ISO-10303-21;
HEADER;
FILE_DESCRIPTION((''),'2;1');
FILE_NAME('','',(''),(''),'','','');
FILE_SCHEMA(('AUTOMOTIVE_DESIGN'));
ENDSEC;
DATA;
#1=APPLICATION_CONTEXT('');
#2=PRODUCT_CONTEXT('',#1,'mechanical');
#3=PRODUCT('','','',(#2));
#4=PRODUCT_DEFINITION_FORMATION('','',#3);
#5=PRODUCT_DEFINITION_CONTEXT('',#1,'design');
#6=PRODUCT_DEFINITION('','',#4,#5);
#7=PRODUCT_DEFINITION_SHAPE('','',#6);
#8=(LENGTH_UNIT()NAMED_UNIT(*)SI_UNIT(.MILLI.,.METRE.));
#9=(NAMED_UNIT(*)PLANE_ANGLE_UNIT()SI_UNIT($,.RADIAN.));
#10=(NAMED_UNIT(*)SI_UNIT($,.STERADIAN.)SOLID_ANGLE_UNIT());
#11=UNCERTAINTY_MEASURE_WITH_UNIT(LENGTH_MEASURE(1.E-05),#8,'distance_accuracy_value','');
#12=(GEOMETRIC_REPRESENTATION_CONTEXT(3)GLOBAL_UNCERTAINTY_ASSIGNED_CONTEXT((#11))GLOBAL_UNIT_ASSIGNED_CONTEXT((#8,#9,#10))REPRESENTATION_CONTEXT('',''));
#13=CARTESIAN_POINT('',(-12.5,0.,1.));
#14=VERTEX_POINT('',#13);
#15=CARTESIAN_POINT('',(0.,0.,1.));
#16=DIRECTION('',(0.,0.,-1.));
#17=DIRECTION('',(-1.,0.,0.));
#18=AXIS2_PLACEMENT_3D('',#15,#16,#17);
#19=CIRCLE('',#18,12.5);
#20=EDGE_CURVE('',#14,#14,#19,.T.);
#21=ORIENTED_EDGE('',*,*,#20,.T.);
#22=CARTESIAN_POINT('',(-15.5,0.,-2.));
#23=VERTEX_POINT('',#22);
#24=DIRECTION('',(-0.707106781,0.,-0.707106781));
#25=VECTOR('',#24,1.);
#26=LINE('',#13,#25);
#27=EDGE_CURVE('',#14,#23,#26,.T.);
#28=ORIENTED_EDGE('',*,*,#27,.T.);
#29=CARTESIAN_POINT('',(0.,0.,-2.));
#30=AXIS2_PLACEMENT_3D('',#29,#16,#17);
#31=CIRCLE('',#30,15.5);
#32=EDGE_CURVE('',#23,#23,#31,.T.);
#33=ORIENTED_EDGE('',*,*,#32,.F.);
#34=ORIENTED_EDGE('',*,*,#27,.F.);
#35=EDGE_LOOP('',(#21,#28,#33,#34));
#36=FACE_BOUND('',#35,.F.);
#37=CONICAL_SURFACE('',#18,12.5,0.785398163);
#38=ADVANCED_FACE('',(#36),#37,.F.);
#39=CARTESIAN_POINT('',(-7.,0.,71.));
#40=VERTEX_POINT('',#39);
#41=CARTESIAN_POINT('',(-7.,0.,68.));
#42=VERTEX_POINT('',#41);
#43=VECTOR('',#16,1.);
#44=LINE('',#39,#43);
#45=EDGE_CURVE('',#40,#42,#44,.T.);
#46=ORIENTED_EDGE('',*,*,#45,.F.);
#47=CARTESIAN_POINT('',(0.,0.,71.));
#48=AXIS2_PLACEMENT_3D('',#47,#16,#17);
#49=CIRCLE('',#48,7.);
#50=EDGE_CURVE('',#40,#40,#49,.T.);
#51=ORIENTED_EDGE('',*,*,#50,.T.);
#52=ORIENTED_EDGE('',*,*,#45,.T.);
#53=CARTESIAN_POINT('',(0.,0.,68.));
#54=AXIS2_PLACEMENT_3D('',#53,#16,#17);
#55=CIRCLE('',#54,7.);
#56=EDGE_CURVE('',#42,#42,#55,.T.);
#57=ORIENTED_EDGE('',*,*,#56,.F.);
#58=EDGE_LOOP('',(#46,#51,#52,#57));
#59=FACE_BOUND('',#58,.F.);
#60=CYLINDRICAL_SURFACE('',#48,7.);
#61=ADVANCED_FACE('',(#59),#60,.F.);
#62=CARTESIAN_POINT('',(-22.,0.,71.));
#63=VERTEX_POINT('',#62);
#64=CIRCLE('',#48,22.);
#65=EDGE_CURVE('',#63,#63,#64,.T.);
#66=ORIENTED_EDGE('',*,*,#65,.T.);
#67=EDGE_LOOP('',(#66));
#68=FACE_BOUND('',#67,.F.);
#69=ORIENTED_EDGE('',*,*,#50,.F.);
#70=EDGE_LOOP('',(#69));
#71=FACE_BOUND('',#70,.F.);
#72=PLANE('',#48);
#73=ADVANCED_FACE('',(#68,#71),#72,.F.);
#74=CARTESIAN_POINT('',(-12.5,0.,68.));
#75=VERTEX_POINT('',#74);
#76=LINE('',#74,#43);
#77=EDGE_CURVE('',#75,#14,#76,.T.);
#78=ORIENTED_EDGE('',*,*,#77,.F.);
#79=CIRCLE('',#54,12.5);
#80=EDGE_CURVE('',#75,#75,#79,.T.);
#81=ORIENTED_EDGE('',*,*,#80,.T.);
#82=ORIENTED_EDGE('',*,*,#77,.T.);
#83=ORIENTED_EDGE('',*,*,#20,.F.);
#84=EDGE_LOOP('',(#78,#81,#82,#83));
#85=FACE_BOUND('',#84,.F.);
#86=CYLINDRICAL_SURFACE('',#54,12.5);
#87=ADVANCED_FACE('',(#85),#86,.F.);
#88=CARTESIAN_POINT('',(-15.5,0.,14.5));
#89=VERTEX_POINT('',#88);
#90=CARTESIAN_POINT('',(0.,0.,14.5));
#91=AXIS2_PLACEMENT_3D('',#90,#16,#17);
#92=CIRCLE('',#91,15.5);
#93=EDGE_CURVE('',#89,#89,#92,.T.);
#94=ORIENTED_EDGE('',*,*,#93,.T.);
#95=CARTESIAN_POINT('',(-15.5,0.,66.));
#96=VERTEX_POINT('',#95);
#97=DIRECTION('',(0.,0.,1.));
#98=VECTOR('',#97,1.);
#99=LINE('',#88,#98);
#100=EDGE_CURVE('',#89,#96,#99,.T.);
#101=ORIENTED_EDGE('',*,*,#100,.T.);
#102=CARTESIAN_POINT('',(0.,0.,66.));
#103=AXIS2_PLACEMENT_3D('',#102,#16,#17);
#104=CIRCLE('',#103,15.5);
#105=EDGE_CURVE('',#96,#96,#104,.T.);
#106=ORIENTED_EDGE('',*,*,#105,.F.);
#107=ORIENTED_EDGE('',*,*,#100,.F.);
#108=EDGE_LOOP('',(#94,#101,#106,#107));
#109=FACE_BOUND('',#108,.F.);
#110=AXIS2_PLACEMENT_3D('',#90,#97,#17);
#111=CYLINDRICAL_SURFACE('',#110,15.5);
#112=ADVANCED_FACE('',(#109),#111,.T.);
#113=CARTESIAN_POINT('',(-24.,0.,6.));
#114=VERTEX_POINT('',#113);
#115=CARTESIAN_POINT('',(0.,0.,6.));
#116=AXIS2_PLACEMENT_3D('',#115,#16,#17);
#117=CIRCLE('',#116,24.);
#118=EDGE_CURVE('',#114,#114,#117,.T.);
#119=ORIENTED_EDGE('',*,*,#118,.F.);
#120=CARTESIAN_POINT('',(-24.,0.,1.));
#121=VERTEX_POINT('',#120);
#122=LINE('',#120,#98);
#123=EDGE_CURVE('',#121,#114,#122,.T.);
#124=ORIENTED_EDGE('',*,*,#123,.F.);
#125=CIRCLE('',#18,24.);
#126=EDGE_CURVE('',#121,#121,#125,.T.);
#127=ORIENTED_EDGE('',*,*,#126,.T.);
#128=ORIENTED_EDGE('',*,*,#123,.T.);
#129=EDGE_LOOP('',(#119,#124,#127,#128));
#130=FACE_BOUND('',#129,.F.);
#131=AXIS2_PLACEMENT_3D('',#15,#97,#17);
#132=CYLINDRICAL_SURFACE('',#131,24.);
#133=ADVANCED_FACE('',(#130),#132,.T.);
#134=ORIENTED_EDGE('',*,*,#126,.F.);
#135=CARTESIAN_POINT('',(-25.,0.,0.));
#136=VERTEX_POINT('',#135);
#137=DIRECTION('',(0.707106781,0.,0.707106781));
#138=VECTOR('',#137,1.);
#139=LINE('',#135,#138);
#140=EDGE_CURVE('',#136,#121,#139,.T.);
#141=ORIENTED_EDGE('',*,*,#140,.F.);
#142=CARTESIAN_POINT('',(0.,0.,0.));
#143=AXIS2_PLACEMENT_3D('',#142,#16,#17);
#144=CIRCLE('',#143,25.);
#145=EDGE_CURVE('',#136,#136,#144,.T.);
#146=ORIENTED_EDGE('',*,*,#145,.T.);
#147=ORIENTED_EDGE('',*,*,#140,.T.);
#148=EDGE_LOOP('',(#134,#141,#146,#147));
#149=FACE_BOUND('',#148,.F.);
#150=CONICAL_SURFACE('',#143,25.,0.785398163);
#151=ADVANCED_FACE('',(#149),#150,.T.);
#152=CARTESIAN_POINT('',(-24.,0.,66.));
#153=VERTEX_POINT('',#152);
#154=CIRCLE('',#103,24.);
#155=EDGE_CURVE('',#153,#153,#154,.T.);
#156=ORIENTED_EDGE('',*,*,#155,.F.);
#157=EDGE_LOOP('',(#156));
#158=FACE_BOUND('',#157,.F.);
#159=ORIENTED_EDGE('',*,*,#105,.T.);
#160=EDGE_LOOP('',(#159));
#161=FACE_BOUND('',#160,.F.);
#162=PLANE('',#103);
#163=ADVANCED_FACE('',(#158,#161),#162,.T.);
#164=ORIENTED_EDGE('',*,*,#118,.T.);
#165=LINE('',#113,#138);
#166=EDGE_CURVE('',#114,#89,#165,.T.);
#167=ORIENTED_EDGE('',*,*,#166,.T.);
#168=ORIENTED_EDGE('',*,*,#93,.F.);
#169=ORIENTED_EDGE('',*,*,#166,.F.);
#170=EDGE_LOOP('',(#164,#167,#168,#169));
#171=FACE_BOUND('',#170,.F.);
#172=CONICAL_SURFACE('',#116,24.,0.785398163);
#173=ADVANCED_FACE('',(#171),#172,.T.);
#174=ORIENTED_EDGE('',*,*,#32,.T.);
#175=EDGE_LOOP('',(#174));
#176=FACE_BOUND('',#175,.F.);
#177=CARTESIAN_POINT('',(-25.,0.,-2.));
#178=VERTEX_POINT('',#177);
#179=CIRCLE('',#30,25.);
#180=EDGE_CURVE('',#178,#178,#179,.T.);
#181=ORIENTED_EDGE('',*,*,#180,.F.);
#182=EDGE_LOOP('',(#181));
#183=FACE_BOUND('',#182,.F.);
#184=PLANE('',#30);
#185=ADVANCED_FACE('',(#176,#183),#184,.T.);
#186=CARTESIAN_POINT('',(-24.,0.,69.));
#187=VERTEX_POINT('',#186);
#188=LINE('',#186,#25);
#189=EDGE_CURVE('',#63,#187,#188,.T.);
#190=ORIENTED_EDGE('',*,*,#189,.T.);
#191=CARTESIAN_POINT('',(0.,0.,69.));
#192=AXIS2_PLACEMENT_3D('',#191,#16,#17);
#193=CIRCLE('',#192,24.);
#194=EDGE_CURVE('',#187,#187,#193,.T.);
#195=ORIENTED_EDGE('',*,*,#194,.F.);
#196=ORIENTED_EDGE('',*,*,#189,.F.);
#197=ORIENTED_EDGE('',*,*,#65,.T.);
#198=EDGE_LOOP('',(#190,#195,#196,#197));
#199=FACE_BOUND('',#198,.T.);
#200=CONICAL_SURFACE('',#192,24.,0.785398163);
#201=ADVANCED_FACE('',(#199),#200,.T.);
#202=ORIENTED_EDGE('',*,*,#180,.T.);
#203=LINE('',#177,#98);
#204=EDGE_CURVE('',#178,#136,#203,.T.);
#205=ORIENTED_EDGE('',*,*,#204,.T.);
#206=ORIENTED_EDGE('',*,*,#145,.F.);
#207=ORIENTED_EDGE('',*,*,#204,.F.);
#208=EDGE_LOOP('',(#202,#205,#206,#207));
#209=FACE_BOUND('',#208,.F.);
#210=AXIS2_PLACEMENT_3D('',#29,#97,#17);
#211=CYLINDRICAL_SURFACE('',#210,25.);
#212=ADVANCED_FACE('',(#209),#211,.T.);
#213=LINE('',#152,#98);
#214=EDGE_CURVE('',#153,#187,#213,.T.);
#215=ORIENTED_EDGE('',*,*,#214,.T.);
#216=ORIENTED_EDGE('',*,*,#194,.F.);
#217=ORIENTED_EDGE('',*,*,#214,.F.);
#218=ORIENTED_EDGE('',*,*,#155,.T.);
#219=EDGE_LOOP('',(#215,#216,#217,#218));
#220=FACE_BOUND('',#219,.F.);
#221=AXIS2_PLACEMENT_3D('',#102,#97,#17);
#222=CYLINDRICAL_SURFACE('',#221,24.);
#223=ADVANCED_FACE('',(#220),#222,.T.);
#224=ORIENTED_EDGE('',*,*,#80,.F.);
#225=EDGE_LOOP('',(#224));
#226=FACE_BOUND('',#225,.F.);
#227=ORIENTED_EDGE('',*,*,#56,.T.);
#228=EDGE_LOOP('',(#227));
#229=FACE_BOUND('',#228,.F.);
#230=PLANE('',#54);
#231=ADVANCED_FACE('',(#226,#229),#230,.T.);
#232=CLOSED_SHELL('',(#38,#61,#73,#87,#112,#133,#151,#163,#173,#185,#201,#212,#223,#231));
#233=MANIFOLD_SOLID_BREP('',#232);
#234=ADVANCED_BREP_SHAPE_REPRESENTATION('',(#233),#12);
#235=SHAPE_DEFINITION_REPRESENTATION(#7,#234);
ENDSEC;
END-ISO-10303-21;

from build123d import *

# Parameters (mm, degrees)
CHAMFER_SIZE         = 3
CHAMFER001_SIZE      = 2
BODY_PLACEMENT_ANGLE = 180


with BuildPart() as part:
    # Sketch → Revolution (revolve)
    with BuildSketch(Plane.XZ):
        Polygon((24, 0), (7, 0), (7, 3), (12.5, 3), (12.5, 73), (25, 73), (25, 71), (24, 70), (24, 65), (15.5, 56.5), (15.5, 5), (24, 5), align=None)
    revolve(axis=Axis((0, 0, 0), (0, 0, 1)))

    # Chamfer
    chamfer_edges = [part.edges().sort_by_distance(p)[0] for p in [
        (-12.5, 0, 73),
    ]]
    chamfer(chamfer_edges, length=CHAMFER_SIZE)

    # Chamfer001
    chamfer001_edges = [part.edges().sort_by_distance(p)[0] for p in [
        (-24, 0, 0),
    ]]
    chamfer(chamfer001_edges, length=CHAMFER001_SIZE)


with BuildPart() as part_1:
    # Body placement: moved
    add(part.part.moved(Location((0, 0, 71))).rotate(Axis((0, 0, 71), (0, 1, 0)), BODY_PLACEMENT_ANGLE))


solid = part_1.part
